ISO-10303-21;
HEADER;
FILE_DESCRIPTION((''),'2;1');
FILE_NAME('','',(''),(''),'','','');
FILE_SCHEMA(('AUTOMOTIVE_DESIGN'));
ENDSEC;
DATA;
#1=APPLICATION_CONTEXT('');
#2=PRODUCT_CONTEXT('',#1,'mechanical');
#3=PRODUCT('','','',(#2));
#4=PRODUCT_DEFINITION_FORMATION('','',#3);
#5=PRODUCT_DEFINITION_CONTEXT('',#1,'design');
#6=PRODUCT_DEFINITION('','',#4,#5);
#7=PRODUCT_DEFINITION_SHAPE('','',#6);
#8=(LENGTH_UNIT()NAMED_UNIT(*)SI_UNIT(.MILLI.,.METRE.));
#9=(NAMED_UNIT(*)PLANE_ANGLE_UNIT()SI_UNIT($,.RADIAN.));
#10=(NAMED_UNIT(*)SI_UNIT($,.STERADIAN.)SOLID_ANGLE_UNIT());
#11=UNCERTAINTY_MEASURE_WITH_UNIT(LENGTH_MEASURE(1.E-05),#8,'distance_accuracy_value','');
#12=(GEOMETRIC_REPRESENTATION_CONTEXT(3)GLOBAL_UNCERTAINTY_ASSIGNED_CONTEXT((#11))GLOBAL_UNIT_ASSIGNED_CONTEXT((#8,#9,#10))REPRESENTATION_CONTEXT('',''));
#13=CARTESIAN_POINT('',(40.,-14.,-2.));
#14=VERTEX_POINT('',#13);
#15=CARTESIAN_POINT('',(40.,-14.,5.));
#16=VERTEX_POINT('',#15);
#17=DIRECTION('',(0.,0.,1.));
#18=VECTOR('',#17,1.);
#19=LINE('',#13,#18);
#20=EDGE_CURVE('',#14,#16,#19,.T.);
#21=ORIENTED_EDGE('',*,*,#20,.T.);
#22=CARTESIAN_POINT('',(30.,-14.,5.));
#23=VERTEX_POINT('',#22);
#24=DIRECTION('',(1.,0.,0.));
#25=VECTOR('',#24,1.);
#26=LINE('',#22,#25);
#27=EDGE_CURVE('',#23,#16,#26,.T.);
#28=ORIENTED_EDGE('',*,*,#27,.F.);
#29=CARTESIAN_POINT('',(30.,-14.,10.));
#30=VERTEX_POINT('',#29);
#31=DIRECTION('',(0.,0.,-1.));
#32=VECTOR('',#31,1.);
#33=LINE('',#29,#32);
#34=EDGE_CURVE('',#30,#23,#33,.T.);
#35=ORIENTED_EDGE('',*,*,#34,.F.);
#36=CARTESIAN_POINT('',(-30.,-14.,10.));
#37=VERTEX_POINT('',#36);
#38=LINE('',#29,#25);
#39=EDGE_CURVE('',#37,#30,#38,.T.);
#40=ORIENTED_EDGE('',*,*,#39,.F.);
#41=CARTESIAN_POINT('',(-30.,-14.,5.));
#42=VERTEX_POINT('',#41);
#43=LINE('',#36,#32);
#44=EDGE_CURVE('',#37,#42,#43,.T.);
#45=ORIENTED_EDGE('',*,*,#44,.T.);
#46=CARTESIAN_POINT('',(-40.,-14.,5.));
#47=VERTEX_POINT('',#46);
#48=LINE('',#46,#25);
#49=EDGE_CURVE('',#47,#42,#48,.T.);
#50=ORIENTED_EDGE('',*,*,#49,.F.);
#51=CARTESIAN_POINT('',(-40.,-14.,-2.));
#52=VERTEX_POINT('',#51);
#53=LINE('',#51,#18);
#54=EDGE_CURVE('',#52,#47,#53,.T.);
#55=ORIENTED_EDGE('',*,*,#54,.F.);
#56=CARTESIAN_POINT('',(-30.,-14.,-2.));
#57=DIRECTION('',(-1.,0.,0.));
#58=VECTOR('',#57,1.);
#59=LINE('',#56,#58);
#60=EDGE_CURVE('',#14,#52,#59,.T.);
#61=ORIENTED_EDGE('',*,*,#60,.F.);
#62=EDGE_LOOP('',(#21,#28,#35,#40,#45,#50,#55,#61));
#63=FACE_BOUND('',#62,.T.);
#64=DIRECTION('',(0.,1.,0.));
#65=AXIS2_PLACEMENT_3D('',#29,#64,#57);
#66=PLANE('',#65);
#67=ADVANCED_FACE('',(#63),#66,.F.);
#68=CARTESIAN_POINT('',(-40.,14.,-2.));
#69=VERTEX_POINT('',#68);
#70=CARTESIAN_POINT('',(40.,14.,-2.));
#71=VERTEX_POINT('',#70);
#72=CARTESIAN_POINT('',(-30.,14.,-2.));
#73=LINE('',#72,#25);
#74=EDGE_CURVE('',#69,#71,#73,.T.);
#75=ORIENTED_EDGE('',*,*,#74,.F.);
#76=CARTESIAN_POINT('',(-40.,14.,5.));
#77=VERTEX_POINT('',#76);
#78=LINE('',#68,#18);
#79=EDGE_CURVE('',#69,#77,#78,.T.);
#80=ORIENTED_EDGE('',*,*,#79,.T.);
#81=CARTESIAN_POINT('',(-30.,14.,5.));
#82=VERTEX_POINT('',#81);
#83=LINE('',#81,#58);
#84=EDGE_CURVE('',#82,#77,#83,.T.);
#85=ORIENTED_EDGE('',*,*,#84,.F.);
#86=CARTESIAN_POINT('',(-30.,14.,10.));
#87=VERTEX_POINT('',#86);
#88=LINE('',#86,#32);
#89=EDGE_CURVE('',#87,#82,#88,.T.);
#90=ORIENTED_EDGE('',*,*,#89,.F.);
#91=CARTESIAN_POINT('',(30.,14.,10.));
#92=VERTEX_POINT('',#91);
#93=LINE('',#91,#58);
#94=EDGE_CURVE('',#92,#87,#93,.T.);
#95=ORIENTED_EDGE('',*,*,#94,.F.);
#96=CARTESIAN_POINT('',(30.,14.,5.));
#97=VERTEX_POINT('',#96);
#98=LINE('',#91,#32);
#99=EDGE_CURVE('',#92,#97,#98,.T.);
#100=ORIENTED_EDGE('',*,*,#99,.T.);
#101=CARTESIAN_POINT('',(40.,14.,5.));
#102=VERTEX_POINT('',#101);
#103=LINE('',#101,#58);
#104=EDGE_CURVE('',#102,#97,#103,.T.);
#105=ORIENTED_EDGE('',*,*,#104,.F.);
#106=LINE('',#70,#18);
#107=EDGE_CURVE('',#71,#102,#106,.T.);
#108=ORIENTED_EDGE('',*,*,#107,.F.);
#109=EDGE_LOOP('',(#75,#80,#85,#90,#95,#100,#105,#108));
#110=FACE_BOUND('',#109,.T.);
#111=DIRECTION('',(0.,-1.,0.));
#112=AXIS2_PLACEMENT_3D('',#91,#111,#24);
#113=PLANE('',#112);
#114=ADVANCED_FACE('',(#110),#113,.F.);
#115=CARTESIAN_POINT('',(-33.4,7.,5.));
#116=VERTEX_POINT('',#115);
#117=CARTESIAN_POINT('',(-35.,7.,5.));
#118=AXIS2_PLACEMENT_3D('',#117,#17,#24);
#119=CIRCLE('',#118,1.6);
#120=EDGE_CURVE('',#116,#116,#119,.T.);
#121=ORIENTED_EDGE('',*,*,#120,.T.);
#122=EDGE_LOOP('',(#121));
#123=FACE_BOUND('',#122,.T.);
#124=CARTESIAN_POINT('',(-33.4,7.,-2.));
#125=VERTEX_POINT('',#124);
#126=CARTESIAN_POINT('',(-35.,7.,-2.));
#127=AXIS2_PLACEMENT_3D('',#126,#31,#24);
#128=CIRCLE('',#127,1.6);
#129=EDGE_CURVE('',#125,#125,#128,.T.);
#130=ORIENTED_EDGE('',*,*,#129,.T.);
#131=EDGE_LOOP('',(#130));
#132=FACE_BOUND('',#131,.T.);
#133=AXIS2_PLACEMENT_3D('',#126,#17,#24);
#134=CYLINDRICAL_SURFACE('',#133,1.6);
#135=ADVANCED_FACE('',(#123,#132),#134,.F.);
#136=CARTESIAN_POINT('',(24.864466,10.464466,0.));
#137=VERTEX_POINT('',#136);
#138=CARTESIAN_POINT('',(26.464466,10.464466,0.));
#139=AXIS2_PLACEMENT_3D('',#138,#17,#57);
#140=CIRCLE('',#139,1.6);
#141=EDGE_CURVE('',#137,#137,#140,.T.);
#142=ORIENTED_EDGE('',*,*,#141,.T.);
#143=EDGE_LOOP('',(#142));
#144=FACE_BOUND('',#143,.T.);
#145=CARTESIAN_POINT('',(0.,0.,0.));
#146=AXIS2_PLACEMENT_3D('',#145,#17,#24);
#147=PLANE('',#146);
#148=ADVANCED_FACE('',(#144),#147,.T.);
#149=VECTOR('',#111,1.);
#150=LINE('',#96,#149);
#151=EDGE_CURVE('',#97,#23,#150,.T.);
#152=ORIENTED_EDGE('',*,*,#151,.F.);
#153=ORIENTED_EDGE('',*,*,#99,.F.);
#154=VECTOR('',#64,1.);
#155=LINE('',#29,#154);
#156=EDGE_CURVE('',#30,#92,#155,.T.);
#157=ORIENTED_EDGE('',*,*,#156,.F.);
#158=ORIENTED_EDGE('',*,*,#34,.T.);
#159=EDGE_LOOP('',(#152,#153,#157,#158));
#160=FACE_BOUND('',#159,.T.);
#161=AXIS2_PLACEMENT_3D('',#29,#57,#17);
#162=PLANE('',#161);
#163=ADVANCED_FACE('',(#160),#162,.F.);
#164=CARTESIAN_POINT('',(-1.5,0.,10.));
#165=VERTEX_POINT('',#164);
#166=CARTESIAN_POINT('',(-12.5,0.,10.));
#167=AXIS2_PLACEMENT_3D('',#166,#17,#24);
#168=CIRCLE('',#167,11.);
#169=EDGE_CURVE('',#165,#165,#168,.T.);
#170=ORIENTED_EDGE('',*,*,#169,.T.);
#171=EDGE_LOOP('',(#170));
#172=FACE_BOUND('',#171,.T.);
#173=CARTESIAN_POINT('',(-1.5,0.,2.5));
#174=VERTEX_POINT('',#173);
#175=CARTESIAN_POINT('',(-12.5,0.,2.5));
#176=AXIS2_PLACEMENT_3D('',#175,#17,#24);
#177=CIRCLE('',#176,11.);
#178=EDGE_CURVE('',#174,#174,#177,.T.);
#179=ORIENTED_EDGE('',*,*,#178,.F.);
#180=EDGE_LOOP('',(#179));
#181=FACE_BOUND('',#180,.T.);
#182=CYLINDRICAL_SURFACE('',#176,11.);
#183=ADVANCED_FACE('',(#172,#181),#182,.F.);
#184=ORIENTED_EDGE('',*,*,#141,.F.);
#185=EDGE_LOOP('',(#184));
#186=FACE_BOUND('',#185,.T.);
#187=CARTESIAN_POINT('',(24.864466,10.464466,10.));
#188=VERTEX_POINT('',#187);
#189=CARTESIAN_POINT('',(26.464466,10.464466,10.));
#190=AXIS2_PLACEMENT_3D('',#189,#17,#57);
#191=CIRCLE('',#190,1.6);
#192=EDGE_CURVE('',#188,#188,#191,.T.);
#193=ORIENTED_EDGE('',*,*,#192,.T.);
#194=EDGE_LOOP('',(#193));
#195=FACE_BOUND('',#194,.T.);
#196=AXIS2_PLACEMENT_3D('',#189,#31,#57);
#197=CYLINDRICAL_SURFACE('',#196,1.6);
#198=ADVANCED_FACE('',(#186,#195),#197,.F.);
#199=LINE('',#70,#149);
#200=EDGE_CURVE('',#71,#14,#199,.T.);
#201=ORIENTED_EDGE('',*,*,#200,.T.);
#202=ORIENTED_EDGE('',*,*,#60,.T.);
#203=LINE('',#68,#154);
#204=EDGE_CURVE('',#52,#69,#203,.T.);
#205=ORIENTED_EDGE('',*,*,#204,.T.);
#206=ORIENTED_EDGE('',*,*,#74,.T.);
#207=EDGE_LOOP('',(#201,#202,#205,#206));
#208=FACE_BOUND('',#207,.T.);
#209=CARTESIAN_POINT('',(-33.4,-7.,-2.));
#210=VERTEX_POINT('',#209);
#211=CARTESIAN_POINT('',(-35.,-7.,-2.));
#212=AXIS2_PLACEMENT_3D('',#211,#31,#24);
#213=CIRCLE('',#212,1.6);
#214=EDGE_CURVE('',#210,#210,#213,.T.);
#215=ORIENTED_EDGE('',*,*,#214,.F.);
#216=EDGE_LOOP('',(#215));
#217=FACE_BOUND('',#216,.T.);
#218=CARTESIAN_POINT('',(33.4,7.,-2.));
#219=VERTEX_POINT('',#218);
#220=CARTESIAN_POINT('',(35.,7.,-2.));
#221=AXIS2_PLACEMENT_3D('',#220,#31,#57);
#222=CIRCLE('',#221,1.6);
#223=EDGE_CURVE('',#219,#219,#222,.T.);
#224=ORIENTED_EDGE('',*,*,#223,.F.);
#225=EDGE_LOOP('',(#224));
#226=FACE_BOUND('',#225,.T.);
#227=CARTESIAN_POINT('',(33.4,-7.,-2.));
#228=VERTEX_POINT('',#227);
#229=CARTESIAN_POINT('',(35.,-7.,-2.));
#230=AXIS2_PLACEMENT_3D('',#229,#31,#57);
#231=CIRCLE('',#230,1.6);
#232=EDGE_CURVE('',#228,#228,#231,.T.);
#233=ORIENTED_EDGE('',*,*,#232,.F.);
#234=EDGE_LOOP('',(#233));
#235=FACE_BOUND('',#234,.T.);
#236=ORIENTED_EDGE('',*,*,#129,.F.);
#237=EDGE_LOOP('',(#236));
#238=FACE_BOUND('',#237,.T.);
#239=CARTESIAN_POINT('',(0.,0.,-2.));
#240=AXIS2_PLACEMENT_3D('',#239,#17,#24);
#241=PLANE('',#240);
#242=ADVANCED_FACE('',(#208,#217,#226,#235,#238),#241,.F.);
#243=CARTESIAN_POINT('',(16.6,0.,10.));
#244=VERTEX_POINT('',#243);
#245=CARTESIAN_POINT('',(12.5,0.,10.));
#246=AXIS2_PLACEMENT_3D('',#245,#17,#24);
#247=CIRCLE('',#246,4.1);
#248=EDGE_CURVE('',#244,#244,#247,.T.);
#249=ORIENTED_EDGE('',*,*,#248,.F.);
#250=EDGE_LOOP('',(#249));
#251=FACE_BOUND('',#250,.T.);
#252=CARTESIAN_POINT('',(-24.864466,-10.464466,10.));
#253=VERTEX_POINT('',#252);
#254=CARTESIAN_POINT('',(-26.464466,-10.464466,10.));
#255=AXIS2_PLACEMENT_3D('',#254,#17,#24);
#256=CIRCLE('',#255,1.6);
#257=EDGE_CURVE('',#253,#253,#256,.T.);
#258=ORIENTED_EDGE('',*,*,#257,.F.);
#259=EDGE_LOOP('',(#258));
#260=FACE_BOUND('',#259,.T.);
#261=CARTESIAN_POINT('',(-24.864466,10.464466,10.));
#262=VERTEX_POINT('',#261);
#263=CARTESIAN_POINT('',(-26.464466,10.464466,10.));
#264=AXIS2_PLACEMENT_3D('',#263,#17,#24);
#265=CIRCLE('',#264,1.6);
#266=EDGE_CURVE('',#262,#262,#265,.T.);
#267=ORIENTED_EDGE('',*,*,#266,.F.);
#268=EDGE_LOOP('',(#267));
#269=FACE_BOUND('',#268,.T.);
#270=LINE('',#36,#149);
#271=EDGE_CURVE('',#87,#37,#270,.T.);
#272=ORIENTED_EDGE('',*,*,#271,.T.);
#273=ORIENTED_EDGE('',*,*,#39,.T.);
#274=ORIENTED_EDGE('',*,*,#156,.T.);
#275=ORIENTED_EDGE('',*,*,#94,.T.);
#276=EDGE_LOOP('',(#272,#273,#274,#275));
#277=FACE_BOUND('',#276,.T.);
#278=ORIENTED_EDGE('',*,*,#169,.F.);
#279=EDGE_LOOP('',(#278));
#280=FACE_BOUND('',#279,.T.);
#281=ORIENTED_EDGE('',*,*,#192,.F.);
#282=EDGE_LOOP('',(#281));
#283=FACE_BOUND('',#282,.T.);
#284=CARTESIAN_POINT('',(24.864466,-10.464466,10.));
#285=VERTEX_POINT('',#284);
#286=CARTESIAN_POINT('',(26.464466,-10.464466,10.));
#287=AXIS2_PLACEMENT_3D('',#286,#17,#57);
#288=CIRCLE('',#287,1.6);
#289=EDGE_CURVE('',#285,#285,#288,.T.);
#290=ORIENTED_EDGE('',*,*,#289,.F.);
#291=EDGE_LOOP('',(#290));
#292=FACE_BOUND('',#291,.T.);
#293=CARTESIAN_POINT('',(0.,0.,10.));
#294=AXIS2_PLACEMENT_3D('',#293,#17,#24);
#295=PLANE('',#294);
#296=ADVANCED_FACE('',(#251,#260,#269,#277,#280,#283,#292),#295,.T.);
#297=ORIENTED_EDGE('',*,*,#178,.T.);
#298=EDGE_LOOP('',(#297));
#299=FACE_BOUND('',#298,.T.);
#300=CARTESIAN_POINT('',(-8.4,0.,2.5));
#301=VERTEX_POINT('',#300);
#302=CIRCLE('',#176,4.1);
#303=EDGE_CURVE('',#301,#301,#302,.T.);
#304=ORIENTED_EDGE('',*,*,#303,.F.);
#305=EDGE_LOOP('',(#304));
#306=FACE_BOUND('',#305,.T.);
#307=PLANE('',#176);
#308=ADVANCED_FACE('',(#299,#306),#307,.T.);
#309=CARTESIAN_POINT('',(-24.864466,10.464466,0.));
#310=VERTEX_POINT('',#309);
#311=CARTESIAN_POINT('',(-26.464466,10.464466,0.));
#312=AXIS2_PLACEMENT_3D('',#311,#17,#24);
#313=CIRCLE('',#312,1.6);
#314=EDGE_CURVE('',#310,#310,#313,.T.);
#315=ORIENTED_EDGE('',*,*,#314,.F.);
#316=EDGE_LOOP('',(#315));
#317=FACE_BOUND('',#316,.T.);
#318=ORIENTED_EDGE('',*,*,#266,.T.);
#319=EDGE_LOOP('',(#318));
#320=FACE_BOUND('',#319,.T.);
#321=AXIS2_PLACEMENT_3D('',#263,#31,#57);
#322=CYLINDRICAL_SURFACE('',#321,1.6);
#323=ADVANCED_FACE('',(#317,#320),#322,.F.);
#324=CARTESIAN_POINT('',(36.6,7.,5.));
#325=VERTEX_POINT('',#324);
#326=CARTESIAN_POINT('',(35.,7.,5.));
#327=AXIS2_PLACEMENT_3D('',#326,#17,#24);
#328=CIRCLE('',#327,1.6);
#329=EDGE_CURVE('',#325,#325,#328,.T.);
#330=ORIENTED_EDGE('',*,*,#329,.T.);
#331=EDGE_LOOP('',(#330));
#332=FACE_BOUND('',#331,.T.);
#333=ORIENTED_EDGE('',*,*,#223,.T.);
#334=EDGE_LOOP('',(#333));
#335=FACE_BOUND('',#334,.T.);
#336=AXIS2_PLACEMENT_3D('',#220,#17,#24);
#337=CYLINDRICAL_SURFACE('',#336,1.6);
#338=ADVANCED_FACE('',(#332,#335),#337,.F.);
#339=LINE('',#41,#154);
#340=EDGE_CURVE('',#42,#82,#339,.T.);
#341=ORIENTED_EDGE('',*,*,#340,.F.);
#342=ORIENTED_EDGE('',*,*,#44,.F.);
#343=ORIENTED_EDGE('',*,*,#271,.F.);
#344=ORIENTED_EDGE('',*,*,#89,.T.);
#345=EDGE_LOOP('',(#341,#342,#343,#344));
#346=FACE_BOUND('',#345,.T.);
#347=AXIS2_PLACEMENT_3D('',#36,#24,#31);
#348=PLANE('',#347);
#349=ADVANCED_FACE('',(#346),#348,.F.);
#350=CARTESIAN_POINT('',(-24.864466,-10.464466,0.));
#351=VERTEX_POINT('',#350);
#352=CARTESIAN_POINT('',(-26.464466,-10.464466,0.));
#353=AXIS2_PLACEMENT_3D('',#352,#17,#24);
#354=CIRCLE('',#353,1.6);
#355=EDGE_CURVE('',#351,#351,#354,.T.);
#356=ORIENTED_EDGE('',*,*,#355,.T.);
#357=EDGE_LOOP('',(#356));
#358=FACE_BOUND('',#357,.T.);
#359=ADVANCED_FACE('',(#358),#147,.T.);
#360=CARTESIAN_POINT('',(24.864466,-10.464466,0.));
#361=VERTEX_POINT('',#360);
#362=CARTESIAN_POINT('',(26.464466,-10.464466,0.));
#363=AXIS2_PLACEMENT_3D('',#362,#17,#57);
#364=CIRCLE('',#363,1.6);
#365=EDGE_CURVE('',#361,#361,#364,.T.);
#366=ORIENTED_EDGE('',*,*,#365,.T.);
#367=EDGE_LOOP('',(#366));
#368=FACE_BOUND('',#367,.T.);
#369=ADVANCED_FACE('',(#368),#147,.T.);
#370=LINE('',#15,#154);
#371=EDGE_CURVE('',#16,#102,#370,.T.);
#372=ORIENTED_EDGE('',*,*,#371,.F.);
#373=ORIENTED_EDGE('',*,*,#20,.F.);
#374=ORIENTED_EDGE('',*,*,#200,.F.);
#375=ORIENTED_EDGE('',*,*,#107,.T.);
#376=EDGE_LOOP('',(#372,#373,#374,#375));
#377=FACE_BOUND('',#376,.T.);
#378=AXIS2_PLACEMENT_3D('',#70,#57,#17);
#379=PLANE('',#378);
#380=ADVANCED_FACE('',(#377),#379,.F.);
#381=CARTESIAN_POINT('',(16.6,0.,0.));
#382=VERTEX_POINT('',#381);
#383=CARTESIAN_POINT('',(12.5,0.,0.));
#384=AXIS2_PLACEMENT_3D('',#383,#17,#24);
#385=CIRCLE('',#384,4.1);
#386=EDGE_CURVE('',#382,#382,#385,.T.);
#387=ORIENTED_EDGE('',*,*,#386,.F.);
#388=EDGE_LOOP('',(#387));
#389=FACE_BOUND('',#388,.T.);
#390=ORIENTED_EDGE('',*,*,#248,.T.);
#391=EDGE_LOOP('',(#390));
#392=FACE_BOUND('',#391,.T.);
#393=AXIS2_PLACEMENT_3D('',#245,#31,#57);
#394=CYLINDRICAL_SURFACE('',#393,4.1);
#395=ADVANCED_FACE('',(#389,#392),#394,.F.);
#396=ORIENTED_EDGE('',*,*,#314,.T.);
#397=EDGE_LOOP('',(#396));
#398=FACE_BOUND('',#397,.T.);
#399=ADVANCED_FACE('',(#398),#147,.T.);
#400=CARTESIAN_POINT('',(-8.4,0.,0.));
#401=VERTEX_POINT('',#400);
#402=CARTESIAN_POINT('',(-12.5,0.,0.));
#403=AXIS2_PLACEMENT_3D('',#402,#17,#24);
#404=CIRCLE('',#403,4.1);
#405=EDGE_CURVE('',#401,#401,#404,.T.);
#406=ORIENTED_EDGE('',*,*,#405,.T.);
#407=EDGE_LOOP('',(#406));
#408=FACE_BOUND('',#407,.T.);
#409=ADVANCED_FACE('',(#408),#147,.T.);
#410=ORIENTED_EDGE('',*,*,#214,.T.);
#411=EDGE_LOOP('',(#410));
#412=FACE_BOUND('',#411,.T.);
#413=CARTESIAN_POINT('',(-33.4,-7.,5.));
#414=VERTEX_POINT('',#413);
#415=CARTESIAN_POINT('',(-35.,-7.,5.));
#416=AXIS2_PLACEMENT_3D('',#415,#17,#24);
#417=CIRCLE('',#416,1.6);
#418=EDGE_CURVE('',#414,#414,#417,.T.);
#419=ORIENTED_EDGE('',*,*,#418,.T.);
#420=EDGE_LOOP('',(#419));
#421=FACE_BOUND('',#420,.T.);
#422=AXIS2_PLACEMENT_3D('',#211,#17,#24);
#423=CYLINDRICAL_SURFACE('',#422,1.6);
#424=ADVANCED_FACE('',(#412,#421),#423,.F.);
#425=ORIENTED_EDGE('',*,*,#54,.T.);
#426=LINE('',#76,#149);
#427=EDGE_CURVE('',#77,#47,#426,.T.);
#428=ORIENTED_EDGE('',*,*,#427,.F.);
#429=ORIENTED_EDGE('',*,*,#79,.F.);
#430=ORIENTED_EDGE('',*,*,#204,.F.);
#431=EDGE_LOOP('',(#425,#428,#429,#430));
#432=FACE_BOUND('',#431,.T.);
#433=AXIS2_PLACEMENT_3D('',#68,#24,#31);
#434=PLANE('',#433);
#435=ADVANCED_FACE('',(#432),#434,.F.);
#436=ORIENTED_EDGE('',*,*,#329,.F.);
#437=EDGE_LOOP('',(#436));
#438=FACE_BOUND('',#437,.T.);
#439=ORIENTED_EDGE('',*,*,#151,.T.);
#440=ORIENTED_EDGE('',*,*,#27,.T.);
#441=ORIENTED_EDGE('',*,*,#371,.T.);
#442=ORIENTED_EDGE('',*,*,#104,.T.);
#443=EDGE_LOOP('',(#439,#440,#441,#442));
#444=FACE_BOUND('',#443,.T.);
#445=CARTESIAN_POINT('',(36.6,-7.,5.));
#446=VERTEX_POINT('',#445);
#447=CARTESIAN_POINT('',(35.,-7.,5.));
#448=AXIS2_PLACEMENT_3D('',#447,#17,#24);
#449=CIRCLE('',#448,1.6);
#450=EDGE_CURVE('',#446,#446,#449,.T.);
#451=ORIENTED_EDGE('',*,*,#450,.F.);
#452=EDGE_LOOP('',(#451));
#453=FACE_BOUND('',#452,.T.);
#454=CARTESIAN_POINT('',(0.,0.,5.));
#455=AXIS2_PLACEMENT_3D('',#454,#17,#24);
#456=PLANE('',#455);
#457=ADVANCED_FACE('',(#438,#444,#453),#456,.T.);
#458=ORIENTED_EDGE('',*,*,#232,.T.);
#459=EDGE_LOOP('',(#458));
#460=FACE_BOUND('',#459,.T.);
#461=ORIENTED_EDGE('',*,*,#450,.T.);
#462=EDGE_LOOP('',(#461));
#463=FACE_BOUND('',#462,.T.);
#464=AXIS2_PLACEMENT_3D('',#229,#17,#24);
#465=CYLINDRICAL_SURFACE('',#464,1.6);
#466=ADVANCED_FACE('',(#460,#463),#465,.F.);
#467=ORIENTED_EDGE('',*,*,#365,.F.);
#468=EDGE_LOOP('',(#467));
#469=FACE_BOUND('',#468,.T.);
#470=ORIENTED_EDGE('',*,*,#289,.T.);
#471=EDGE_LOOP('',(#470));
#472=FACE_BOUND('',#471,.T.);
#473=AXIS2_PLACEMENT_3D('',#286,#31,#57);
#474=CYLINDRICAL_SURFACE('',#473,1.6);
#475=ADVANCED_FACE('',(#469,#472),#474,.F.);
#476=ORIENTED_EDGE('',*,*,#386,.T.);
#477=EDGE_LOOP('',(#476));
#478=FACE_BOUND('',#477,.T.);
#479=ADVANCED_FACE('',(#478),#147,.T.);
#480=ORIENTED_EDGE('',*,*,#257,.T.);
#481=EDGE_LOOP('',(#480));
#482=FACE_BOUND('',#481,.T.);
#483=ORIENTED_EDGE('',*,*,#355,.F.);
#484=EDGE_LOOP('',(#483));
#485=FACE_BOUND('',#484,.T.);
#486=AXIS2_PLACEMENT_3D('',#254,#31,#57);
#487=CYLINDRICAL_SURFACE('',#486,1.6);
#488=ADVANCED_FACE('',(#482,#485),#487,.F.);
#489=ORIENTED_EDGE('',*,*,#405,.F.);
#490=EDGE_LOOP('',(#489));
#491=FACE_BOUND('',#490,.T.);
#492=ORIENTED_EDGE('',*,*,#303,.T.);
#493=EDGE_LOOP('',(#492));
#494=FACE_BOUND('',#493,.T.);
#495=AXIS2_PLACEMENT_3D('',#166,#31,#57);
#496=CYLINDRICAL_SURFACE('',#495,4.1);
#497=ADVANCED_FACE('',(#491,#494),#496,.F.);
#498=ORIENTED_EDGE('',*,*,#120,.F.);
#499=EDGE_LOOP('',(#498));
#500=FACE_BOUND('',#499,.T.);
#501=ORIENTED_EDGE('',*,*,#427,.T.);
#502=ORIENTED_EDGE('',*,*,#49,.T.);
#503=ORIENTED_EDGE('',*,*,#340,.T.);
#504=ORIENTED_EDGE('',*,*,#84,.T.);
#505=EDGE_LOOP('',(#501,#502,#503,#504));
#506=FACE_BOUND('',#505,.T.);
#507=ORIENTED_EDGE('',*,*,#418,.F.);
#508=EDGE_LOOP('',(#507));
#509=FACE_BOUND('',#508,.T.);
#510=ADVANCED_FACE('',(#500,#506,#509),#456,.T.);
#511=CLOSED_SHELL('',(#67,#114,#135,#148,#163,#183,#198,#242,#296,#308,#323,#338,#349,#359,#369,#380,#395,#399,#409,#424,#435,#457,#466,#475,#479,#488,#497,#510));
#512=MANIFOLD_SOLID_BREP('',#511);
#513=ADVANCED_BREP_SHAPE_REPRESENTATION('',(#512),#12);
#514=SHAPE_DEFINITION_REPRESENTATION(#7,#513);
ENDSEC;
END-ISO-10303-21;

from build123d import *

# Parameters (mm, degrees)
SKETCH1_W           = 60
SKETCH1_H           = 28
SKETCH1_R           = 4.1
SKETCH1_R_2         = 1.6
BOSS_EXTRUDE1_DEPTH = 10
SKETCH2_R           = 11
CUT_EXTRUDE1_DEPTH  = 7.5
SKETCH3_R           = 1.6
BOSS_EXTRUDE2_DEPTH = 2
SKETCH4_W           = 10
SKETCH4_H           = 28
SKETCH4_R           = 1.6
BOSS_EXTRUDE3_DEPTH = 5


with BuildPart() as part:
    # Sketch1 → Boss-Extrude1 (new body)
    with BuildSketch(Plane.XY):
        Rectangle(SKETCH1_W, SKETCH1_H)
        with Locations((12.5, 0)):
            Circle(SKETCH1_R, mode=Mode.SUBTRACT)
        with Locations((-12.5, 0)):
            Circle(SKETCH1_R, mode=Mode.SUBTRACT)
        with Locations((-26.464466094, 10.464466094)):
            Circle(SKETCH1_R_2, mode=Mode.SUBTRACT)
        with Locations((-26.464466094, -10.464466094)):
            Circle(SKETCH1_R_2, mode=Mode.SUBTRACT)
        with Locations((26.464466094, -10.464466094)):
            Circle(SKETCH1_R_2, mode=Mode.SUBTRACT)
        with Locations((26.464466094, 10.464466094)):
            Circle(SKETCH1_R_2, mode=Mode.SUBTRACT)
    extrude(amount=BOSS_EXTRUDE1_DEPTH)

    # Sketch2 → Cut-Extrude1 (cut)
    with BuildSketch(Plane.XY.offset(10)):
        with Locations((-12.5, 0)):
            Circle(SKETCH2_R)
    extrude(amount=-CUT_EXTRUDE1_DEPTH, mode=Mode.SUBTRACT)

    # Sketch3 → Boss-Extrude2 (add)
    with BuildSketch(Plane(origin=(0, 0, 0), x_dir=(-1, 0, 0), z_dir=(0, 0, -1))):
        Polygon((-30, 14), (-40, 14), (-40, -14), (-30, -14), (30, -14), (40, -14), (40, 14), (30, 14), align=None)
        with Locations((-35, 7)):
            Circle(SKETCH3_R, mode=Mode.SUBTRACT)
        with Locations((-35, -7)):
            Circle(SKETCH3_R, mode=Mode.SUBTRACT)
        with Locations((35, -7)):
            Circle(SKETCH3_R, mode=Mode.SUBTRACT)
        with Locations((35, 7)):
            Circle(SKETCH3_R, mode=Mode.SUBTRACT)
    extrude(amount=BOSS_EXTRUDE2_DEPTH)

    # Sketch4 → Boss-Extrude3 (add)
    with BuildSketch(Plane.XY):
        with Locations((35, 0)):
            Rectangle(SKETCH4_W, SKETCH4_H)
        with Locations((35, -7)):
            Circle(SKETCH4_R, mode=Mode.SUBTRACT)
        with Locations((35, 7)):
            Circle(SKETCH4_R, mode=Mode.SUBTRACT)
        with Locations((-35, 0)):
            Rectangle(SKETCH4_W, SKETCH4_H)
        with Locations((-35, -7)):
            Circle(SKETCH4_R, mode=Mode.SUBTRACT)
        with Locations((-35, 7)):
            Circle(SKETCH4_R, mode=Mode.SUBTRACT)
    extrude(amount=BOSS_EXTRUDE3_DEPTH)


solid = part.part
